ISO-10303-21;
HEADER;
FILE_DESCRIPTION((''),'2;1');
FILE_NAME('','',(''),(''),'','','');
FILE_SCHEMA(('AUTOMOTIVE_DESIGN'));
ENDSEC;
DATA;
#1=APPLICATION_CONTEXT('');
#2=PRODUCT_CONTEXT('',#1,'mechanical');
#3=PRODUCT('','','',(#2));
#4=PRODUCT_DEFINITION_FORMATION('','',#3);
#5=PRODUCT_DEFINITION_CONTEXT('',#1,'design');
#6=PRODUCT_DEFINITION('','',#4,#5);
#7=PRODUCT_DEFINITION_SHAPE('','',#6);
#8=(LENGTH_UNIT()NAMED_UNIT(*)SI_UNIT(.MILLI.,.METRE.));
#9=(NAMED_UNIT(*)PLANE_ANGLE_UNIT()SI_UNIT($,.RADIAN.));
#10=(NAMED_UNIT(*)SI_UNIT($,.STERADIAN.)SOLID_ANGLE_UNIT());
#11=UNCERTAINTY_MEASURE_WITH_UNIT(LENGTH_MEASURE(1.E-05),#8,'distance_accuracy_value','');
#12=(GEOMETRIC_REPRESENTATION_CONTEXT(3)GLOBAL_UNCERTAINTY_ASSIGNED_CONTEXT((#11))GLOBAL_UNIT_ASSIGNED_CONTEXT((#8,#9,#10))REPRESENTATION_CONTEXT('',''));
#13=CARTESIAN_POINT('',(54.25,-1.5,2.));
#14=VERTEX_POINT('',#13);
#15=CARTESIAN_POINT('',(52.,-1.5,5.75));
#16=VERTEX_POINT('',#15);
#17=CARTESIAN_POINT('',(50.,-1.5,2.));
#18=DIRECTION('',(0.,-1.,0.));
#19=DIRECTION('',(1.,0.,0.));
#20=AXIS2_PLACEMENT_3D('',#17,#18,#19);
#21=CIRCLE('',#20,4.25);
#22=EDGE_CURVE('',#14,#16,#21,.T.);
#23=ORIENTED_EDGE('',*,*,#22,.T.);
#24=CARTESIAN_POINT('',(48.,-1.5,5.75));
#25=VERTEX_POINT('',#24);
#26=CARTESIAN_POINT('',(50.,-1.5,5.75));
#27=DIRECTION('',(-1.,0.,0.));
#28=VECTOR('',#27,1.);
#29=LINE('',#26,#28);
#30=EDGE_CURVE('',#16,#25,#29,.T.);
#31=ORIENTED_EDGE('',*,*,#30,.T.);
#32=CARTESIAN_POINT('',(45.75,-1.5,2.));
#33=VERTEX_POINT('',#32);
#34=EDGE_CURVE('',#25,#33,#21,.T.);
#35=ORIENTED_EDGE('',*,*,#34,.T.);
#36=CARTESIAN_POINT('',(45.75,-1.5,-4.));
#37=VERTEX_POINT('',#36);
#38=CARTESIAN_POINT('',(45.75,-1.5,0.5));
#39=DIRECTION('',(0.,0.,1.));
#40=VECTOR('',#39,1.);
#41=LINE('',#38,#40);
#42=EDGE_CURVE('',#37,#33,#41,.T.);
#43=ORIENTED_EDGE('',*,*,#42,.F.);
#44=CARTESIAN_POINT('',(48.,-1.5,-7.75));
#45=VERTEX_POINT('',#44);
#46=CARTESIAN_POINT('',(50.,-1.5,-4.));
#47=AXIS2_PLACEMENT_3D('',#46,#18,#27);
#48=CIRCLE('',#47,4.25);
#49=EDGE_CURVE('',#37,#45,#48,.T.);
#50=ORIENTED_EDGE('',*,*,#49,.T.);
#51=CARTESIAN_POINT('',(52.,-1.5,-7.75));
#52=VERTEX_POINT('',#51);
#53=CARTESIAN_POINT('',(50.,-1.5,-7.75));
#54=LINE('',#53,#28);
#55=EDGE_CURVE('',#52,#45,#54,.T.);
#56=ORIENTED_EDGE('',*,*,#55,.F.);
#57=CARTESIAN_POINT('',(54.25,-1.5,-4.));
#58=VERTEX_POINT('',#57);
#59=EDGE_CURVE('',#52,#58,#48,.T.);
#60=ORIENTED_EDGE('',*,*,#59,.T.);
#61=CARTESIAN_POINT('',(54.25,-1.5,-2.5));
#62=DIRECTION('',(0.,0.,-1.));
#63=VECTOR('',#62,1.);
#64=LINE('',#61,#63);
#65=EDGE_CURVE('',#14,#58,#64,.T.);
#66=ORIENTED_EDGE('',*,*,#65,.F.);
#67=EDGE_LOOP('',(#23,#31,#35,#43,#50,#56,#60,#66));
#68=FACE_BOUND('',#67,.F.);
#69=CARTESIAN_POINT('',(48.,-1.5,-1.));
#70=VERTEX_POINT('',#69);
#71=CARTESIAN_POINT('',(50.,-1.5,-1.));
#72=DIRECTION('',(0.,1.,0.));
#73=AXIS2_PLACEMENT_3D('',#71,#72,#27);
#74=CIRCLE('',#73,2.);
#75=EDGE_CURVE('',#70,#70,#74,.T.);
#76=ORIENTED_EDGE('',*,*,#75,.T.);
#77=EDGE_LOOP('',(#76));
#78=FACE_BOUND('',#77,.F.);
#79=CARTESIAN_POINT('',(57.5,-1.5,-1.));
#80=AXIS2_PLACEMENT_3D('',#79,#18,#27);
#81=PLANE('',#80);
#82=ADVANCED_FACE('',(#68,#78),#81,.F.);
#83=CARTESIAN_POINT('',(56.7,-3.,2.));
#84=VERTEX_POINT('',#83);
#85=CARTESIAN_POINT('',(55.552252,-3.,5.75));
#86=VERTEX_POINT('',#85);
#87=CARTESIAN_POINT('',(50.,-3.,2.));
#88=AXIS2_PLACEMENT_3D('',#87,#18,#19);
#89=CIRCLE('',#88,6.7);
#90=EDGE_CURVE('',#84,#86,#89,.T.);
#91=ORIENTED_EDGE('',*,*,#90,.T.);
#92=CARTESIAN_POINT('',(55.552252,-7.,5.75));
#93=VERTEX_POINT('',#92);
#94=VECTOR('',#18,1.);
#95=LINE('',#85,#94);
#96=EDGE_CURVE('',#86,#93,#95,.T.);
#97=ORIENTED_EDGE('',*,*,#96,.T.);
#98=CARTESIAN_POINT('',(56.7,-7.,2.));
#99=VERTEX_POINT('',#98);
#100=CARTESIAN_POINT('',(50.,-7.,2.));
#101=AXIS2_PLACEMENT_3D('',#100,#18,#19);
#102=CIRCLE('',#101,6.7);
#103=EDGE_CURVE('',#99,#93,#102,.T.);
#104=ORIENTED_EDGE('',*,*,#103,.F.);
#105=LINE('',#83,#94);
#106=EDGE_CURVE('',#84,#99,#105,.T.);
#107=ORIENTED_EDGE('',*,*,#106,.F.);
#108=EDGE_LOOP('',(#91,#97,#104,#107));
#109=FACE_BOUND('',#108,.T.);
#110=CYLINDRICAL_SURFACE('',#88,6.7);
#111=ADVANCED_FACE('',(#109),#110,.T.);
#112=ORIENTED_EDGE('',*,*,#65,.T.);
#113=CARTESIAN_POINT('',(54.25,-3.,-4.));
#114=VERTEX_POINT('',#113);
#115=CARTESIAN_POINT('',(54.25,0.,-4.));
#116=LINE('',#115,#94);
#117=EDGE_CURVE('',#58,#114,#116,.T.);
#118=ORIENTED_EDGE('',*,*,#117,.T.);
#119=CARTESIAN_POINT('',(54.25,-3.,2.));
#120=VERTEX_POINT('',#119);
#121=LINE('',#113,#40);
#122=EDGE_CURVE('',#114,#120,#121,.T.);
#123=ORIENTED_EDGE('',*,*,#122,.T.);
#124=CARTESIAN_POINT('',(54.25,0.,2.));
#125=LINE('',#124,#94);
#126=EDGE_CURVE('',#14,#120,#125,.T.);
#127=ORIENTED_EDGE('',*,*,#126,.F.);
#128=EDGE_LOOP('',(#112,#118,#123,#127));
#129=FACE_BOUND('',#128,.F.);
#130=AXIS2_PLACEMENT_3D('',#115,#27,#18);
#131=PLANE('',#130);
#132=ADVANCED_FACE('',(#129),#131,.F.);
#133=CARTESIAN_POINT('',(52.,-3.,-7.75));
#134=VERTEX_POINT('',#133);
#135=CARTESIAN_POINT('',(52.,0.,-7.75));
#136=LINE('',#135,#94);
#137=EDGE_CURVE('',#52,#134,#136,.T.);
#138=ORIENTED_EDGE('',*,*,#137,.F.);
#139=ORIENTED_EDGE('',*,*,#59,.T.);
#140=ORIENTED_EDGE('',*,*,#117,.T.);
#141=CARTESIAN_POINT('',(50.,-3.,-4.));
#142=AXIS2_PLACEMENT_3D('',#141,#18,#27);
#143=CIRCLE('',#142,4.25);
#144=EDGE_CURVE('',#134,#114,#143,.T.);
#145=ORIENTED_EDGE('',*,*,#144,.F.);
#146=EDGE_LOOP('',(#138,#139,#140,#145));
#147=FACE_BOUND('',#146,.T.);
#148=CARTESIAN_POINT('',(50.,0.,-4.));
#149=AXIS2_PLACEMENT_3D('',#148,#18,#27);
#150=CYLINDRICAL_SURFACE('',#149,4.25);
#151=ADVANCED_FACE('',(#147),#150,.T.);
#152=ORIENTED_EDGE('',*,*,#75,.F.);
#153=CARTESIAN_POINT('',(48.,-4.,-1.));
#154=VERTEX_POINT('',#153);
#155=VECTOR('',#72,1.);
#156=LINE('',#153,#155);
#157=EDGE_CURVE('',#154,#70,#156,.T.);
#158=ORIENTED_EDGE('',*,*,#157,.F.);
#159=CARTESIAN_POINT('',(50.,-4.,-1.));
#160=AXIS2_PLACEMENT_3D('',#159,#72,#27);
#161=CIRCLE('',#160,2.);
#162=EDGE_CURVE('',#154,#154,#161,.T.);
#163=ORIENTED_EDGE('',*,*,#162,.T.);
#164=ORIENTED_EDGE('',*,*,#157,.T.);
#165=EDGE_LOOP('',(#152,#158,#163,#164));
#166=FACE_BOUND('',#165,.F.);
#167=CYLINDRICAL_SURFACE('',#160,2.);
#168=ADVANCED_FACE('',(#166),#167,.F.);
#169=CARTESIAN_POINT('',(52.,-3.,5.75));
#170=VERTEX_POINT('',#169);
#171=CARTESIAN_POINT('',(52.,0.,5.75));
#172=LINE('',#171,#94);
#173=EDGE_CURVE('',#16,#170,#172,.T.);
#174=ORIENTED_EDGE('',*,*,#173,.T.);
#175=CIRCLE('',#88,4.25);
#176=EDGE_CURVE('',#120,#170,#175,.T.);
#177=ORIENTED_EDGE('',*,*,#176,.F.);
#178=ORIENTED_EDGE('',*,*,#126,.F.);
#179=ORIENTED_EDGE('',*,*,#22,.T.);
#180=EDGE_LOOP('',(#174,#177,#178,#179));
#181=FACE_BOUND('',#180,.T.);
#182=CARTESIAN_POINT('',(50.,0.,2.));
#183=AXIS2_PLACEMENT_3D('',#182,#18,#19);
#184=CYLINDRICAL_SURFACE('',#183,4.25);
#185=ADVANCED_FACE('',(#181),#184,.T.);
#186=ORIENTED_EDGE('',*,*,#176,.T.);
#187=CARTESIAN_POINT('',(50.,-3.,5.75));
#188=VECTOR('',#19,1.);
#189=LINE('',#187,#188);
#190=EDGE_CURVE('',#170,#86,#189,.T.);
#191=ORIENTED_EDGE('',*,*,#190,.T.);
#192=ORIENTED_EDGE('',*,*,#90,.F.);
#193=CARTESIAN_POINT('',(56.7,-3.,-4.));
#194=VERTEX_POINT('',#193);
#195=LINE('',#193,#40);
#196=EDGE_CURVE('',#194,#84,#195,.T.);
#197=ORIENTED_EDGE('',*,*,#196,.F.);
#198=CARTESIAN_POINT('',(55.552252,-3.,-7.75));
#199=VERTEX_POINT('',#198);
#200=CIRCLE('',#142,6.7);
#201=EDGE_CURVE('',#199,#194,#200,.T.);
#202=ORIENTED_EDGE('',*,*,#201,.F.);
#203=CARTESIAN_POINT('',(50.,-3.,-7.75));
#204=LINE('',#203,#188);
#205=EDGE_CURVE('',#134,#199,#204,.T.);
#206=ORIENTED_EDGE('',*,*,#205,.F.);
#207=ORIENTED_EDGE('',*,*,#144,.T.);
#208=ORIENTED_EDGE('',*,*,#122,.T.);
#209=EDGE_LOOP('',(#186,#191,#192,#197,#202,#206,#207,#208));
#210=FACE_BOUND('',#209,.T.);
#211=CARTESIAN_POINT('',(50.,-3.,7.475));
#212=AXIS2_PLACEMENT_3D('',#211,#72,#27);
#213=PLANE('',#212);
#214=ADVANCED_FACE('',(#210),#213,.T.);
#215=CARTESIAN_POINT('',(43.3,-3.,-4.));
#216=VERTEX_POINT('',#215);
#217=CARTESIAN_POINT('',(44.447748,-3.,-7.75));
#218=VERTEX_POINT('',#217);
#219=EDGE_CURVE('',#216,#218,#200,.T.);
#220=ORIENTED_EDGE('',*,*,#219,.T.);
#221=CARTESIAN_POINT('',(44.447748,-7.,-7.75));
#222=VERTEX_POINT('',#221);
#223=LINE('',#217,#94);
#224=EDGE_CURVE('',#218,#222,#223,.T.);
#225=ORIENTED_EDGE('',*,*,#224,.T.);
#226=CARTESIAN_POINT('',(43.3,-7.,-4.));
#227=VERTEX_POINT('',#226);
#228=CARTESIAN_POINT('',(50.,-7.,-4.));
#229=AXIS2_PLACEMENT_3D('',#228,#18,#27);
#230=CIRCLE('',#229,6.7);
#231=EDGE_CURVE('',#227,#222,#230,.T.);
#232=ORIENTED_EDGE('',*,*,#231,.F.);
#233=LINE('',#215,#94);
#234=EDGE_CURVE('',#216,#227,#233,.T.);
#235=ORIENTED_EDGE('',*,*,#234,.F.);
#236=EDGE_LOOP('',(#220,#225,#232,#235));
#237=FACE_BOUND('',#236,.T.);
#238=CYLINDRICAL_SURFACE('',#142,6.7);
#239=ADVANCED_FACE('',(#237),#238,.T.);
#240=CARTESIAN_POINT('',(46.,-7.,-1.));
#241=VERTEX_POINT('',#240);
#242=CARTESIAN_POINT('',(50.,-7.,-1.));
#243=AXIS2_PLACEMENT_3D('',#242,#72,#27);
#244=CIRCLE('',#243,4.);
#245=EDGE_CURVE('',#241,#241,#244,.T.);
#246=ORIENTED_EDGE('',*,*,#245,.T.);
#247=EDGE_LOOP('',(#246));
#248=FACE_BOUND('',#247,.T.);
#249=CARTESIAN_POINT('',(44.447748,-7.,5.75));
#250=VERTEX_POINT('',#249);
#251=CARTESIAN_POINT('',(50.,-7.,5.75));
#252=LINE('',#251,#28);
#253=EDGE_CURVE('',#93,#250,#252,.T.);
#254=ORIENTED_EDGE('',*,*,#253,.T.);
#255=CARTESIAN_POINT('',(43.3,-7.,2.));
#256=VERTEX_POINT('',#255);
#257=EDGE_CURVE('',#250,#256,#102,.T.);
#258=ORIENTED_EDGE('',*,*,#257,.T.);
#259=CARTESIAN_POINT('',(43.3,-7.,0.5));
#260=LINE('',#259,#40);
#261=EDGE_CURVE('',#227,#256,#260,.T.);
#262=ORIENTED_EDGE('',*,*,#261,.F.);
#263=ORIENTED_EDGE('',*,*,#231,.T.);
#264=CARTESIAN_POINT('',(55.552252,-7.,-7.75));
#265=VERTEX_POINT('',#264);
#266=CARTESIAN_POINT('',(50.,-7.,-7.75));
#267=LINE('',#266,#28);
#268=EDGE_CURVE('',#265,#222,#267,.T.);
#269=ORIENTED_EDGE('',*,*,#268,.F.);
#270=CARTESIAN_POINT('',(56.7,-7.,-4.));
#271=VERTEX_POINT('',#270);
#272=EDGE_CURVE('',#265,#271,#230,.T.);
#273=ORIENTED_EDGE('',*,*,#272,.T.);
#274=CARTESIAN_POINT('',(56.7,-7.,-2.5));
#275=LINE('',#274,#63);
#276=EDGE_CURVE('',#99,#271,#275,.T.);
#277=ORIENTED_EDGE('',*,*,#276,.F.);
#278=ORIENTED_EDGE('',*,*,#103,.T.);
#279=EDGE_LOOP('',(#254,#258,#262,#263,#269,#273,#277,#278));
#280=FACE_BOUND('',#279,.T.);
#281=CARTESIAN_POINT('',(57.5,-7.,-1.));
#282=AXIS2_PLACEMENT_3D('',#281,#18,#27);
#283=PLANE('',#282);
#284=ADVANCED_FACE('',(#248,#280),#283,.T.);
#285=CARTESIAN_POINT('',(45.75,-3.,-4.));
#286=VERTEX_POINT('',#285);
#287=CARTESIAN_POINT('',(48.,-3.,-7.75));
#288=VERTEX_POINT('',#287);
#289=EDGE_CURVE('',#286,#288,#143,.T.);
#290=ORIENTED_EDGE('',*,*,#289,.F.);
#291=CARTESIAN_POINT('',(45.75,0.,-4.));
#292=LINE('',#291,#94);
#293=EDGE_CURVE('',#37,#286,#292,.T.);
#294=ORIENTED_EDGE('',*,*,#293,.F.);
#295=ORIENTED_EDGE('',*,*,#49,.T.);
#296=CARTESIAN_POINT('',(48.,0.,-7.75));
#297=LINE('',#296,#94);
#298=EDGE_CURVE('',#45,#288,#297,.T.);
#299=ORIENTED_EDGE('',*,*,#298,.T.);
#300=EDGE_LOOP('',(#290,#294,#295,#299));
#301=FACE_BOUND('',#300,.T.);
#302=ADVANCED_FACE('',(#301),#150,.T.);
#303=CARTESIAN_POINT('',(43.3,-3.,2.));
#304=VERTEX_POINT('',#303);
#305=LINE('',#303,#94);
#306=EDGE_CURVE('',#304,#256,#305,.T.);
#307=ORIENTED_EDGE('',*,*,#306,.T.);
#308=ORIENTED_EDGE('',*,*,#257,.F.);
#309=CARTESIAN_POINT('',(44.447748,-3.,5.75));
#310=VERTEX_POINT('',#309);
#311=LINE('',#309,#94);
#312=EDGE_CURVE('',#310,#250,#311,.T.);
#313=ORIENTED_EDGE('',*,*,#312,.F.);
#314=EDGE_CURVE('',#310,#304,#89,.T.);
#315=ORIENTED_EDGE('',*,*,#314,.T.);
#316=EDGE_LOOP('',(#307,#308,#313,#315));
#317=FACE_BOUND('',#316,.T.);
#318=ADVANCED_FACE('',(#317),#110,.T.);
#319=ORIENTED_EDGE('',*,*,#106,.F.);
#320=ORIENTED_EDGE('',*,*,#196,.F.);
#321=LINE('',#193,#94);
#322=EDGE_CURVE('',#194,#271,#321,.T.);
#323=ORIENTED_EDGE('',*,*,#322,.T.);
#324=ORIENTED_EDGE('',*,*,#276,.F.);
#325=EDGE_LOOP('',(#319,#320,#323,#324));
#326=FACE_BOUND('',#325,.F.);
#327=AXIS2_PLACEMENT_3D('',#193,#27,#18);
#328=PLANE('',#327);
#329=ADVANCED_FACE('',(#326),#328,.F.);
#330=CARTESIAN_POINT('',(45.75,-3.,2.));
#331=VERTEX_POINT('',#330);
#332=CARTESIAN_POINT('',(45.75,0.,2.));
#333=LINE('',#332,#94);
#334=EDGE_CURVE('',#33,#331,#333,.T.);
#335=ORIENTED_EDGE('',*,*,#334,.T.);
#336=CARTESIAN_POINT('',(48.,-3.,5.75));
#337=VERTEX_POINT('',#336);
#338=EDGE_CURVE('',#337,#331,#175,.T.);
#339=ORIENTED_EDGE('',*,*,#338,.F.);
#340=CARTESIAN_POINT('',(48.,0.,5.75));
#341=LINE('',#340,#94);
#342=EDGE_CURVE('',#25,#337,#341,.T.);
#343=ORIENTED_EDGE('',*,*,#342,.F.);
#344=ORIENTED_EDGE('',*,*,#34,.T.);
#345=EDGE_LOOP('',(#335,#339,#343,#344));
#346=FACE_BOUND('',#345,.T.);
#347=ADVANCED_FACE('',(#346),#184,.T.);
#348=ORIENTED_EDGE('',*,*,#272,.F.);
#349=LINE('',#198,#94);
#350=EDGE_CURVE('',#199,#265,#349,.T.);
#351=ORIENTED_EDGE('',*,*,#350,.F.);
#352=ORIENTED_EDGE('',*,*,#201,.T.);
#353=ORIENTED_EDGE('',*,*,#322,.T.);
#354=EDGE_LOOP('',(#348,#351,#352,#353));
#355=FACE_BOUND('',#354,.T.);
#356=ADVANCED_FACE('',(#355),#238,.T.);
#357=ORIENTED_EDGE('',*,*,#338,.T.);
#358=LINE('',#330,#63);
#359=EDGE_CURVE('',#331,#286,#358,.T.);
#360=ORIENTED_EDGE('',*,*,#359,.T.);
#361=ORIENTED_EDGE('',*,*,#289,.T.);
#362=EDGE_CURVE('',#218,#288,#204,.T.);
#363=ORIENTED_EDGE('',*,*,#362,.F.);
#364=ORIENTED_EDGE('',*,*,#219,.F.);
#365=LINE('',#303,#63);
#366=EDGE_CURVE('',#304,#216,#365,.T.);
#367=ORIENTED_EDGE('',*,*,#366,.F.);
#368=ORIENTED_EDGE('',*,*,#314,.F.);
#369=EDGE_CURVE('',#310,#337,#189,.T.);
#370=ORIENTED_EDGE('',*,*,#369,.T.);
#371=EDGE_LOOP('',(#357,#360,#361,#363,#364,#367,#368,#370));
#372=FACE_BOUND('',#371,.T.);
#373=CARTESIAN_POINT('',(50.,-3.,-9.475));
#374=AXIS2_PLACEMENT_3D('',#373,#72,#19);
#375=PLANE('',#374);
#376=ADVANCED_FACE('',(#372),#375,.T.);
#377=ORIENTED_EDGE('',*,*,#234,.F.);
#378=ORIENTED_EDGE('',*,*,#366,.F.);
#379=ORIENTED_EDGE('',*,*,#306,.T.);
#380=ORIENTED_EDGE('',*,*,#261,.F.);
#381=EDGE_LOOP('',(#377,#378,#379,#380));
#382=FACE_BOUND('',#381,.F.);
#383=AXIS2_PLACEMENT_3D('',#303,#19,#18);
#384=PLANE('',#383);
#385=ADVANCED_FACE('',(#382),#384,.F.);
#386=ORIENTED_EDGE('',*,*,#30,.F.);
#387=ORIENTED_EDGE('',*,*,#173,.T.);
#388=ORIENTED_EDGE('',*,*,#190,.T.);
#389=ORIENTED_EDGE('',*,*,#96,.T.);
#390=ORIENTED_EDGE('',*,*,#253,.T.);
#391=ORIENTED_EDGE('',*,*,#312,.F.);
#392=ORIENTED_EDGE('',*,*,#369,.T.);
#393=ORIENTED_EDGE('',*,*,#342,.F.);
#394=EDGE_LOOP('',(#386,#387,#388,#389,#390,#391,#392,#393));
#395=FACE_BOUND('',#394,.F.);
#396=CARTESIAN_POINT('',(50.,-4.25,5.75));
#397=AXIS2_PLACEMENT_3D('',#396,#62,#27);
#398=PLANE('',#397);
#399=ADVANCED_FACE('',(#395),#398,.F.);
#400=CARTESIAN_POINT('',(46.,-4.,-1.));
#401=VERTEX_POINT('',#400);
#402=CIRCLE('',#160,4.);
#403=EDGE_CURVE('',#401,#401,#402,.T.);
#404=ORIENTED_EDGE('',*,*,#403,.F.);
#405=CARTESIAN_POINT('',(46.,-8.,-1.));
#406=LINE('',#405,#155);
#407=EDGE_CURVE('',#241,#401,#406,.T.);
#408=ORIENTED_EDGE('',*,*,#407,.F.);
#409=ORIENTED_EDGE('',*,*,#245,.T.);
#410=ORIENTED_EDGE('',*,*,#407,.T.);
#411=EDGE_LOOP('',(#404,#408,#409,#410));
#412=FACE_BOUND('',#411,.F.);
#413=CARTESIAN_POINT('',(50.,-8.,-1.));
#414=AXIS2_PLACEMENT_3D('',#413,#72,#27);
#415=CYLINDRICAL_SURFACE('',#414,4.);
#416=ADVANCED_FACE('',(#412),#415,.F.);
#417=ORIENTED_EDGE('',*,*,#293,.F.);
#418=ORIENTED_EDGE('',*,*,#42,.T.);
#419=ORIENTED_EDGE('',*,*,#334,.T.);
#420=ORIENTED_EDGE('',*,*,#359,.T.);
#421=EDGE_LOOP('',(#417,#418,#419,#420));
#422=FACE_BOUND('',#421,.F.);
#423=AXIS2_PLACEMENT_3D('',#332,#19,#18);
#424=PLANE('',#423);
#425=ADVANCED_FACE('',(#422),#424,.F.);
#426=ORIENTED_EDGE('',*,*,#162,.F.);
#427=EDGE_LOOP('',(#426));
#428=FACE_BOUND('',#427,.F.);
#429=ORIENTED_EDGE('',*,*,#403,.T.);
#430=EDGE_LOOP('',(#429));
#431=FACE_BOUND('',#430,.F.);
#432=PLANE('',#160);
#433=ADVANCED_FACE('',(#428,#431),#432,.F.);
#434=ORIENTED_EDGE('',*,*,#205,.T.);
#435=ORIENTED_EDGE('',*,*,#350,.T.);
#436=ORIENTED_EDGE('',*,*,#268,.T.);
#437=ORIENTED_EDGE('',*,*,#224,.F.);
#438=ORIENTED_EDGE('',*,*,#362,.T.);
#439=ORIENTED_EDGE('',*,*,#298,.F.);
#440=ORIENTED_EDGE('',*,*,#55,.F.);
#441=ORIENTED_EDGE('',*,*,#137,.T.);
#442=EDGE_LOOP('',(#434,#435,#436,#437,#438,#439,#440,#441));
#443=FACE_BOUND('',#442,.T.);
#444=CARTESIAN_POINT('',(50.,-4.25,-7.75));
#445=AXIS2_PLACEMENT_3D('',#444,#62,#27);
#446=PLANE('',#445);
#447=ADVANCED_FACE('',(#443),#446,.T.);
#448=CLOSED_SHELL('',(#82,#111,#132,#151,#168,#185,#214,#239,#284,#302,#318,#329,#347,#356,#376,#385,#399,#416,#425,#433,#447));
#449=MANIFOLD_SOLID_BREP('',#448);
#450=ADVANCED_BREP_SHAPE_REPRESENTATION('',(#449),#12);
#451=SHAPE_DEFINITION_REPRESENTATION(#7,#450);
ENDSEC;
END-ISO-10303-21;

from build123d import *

# Parameters (mm, degrees)
SKETCH148_W             = 15
SKETCH148_H             = 5.5
PAD032_DEPTH            = 6.75
BODY059_PLACEMENT_ANGLE = 180


with BuildPart() as part:
    # Sketch148 → Pad032 (new body, symmetric)
    with BuildSketch(Plane.XY):
        with Locations((0, -4.25)):
            Rectangle(SKETCH148_W, SKETCH148_H)
    extrude(amount=PAD032_DEPTH, both=True)

    # Sketch149 → Groove006 (revolve, cut)
    with BuildSketch(Plane.XY):
        Polygon((0, 0), (0, -8), (4, -8), (4, -4), (2, -4), (2, 0), align=None)
    revolve(axis=Axis((0, 0, 0), (0, 1, 0)), mode=Mode.SUBTRACT)

    # SubtractivePipe006003: sweep along a path in Sketch150
    with BuildLine(Plane.XZ) as subtractivepipe006003_path:
        ThreePointArc((6.75, 3), (0, 9.75), (-6.75, 3))
        Line((-6.75, 3), (-6.75, -3))
        ThreePointArc((-6.75, -3), (0, -9.75), (6.75, -3))
        Line((6.75, -3), (6.75, 3))
    # Sketch151 → SubtractivePipe006003 (sweep, cut)
    with BuildSketch(Plane.XY):
        Polygon((4.25, 0), (4.25, -3), (6.7, -3), (6.7, -8), (10, -8), (10, 0), align=None)
    sweep(path=subtractivepipe006003_path.line, mode=Mode.SUBTRACT)


with BuildPart() as part_1:
    # Body059 placement: moved
    add(part.part.moved(Location((50, 0, -1))).rotate(Axis((50, 0, -1), (0, 1, 0)), BODY059_PLACEMENT_ANGLE))


solid = part_1.part
